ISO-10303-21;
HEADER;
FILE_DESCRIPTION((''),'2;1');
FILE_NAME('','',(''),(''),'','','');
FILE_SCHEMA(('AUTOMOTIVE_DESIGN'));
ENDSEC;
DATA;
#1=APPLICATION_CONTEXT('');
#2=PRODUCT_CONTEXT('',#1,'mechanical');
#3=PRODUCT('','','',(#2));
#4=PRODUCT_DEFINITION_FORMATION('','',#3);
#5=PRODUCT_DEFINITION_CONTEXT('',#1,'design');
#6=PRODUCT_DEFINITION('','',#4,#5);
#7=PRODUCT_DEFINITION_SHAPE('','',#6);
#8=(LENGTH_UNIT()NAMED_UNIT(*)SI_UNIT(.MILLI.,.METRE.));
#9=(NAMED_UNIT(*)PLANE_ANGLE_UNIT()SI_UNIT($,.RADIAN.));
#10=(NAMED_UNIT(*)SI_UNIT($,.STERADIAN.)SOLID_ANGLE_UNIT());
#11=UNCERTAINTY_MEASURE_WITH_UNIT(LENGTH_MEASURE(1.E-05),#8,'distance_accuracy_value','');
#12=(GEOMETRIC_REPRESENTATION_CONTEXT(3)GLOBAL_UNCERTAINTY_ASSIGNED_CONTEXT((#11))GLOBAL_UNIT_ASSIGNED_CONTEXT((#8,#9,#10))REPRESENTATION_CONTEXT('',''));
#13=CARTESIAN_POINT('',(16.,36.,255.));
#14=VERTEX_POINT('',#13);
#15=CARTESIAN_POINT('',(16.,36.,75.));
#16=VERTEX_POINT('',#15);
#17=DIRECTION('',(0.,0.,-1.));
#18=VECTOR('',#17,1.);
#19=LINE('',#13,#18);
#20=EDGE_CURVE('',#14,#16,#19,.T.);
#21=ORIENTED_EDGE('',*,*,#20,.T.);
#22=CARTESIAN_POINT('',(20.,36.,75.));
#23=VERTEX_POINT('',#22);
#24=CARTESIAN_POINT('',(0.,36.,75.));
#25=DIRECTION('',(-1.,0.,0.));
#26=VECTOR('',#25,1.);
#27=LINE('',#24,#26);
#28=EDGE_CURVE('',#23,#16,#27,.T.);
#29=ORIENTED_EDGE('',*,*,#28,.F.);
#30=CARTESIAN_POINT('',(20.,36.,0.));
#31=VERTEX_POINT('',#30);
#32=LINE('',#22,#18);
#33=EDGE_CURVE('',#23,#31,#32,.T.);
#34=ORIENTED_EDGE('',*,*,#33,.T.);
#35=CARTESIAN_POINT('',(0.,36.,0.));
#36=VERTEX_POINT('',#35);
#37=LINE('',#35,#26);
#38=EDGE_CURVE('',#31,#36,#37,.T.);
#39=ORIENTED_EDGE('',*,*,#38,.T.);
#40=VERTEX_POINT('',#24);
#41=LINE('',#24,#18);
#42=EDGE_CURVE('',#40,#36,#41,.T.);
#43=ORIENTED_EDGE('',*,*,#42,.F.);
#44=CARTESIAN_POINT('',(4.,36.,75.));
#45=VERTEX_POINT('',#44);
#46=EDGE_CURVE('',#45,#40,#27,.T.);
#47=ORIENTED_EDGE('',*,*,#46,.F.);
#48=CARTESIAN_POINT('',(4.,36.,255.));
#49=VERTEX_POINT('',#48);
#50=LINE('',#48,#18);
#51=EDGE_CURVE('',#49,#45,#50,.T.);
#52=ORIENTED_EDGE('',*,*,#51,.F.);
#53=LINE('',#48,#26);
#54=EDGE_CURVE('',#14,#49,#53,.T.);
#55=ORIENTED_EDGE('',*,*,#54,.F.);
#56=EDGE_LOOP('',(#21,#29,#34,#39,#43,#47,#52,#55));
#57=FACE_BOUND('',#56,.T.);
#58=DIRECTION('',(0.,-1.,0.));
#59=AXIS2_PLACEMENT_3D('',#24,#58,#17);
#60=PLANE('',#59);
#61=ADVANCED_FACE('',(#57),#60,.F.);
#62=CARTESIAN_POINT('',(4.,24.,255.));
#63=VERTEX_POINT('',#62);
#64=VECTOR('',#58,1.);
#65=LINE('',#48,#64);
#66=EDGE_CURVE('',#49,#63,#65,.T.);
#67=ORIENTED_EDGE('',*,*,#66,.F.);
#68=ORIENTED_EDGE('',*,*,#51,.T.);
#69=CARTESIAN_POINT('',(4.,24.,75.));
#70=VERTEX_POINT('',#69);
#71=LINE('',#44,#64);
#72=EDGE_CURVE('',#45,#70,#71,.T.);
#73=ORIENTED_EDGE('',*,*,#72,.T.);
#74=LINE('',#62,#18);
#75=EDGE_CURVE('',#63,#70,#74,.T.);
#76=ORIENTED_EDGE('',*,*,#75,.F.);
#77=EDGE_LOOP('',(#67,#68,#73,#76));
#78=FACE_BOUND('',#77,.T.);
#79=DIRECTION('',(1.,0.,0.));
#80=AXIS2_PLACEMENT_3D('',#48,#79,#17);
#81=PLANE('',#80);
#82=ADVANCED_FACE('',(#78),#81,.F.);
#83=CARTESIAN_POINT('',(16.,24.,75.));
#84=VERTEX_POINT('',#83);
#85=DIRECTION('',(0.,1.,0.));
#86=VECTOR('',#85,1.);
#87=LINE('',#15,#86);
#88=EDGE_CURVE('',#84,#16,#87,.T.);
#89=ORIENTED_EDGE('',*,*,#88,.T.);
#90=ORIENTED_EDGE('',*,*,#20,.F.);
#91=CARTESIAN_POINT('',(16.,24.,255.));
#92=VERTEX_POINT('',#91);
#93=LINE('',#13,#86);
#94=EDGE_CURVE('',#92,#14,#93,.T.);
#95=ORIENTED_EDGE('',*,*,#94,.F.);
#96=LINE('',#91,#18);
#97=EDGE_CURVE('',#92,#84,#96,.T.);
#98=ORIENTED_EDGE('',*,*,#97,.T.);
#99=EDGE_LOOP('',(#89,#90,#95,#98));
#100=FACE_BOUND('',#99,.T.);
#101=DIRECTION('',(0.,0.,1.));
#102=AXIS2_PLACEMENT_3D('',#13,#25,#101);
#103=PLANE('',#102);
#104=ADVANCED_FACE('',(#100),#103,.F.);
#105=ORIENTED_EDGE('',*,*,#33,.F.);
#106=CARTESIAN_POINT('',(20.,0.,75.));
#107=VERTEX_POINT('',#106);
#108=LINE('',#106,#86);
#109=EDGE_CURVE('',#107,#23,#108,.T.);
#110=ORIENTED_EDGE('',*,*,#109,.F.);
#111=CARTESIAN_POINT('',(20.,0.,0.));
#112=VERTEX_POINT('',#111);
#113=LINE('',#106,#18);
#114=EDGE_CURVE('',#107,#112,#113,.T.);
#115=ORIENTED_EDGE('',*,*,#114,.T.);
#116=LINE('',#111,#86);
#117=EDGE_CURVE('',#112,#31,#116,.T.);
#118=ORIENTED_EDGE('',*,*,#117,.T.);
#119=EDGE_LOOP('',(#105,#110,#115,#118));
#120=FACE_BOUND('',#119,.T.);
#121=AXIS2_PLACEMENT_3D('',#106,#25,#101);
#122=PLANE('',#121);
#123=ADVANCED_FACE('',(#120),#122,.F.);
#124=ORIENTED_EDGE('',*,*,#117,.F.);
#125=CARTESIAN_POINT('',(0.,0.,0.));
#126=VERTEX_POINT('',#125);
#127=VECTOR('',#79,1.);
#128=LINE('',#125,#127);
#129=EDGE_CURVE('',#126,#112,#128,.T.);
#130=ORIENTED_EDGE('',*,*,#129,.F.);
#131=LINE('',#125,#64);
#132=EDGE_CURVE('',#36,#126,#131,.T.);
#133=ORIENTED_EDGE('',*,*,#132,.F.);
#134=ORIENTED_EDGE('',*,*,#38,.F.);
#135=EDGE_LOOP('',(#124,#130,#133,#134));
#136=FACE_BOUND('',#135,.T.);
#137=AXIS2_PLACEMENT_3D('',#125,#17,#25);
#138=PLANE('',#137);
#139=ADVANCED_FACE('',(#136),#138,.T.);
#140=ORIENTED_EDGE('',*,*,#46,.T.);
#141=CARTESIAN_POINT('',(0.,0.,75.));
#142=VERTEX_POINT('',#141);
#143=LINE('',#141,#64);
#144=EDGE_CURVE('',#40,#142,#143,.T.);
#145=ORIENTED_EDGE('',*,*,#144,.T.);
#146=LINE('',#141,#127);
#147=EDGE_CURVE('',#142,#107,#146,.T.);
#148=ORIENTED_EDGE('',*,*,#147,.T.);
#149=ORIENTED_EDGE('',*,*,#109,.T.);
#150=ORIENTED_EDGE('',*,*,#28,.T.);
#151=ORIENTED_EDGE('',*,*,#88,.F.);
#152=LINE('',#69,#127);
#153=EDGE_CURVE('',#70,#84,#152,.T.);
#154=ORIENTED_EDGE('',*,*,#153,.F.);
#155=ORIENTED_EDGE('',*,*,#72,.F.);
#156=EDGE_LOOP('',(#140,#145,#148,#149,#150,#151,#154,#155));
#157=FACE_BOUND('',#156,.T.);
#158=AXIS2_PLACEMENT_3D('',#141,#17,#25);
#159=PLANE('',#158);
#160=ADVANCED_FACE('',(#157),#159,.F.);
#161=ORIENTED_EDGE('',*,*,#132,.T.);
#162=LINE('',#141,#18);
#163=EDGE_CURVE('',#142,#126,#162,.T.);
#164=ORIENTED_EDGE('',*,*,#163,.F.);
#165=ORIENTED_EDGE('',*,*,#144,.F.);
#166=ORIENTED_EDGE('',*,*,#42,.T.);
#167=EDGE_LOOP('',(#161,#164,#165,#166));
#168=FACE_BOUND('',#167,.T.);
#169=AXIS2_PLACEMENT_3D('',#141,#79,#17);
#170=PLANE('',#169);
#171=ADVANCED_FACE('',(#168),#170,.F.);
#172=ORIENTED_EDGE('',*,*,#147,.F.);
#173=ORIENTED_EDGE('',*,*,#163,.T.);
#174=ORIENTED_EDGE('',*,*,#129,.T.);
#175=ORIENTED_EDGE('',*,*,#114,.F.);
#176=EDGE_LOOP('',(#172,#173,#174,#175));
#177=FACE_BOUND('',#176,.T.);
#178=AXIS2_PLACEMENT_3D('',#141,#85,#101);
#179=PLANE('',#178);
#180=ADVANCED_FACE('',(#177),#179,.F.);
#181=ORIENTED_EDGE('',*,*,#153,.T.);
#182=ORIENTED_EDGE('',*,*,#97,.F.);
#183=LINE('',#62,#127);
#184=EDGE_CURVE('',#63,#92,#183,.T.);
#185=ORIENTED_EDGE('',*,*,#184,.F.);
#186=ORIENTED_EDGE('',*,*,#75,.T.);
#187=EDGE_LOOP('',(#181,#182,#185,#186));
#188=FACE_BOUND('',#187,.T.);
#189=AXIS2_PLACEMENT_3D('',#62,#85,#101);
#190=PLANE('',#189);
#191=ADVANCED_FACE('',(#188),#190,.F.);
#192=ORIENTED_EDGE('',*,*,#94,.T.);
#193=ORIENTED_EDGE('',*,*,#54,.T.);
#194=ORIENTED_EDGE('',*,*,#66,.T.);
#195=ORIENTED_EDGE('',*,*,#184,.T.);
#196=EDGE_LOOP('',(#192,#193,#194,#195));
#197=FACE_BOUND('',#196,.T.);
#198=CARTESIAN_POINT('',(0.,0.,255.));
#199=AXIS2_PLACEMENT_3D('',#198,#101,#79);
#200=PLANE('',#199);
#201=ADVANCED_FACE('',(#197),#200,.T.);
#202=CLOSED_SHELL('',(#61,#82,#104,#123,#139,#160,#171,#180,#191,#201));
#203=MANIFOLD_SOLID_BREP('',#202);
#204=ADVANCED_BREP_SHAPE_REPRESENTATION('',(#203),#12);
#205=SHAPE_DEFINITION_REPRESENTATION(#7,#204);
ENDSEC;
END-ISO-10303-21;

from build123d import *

# Parameters (mm, degrees)
SKETCH2_W           = 20
SKETCH2_H           = 36
BOSS_EXTRUDE1_DEPTH = 75
SKETCH3_W           = 12
SKETCH3_H           = 12
BOSS_EXTRUDE2_DEPTH = 180


with BuildPart() as part:
    # Sketch2 → Boss-Extrude1 (new body)
    with BuildSketch(Plane.XY):
        with Locations((10, 18)):
            Rectangle(SKETCH2_W, SKETCH2_H)
    extrude(amount=BOSS_EXTRUDE1_DEPTH)

    # Sketch3 → Boss-Extrude2 (add)
    with BuildSketch(Plane.XY.offset(75)):
        with Locations((10, 30)):
            Rectangle(SKETCH3_W, SKETCH3_H)
    extrude(amount=BOSS_EXTRUDE2_DEPTH)


solid = part.part
